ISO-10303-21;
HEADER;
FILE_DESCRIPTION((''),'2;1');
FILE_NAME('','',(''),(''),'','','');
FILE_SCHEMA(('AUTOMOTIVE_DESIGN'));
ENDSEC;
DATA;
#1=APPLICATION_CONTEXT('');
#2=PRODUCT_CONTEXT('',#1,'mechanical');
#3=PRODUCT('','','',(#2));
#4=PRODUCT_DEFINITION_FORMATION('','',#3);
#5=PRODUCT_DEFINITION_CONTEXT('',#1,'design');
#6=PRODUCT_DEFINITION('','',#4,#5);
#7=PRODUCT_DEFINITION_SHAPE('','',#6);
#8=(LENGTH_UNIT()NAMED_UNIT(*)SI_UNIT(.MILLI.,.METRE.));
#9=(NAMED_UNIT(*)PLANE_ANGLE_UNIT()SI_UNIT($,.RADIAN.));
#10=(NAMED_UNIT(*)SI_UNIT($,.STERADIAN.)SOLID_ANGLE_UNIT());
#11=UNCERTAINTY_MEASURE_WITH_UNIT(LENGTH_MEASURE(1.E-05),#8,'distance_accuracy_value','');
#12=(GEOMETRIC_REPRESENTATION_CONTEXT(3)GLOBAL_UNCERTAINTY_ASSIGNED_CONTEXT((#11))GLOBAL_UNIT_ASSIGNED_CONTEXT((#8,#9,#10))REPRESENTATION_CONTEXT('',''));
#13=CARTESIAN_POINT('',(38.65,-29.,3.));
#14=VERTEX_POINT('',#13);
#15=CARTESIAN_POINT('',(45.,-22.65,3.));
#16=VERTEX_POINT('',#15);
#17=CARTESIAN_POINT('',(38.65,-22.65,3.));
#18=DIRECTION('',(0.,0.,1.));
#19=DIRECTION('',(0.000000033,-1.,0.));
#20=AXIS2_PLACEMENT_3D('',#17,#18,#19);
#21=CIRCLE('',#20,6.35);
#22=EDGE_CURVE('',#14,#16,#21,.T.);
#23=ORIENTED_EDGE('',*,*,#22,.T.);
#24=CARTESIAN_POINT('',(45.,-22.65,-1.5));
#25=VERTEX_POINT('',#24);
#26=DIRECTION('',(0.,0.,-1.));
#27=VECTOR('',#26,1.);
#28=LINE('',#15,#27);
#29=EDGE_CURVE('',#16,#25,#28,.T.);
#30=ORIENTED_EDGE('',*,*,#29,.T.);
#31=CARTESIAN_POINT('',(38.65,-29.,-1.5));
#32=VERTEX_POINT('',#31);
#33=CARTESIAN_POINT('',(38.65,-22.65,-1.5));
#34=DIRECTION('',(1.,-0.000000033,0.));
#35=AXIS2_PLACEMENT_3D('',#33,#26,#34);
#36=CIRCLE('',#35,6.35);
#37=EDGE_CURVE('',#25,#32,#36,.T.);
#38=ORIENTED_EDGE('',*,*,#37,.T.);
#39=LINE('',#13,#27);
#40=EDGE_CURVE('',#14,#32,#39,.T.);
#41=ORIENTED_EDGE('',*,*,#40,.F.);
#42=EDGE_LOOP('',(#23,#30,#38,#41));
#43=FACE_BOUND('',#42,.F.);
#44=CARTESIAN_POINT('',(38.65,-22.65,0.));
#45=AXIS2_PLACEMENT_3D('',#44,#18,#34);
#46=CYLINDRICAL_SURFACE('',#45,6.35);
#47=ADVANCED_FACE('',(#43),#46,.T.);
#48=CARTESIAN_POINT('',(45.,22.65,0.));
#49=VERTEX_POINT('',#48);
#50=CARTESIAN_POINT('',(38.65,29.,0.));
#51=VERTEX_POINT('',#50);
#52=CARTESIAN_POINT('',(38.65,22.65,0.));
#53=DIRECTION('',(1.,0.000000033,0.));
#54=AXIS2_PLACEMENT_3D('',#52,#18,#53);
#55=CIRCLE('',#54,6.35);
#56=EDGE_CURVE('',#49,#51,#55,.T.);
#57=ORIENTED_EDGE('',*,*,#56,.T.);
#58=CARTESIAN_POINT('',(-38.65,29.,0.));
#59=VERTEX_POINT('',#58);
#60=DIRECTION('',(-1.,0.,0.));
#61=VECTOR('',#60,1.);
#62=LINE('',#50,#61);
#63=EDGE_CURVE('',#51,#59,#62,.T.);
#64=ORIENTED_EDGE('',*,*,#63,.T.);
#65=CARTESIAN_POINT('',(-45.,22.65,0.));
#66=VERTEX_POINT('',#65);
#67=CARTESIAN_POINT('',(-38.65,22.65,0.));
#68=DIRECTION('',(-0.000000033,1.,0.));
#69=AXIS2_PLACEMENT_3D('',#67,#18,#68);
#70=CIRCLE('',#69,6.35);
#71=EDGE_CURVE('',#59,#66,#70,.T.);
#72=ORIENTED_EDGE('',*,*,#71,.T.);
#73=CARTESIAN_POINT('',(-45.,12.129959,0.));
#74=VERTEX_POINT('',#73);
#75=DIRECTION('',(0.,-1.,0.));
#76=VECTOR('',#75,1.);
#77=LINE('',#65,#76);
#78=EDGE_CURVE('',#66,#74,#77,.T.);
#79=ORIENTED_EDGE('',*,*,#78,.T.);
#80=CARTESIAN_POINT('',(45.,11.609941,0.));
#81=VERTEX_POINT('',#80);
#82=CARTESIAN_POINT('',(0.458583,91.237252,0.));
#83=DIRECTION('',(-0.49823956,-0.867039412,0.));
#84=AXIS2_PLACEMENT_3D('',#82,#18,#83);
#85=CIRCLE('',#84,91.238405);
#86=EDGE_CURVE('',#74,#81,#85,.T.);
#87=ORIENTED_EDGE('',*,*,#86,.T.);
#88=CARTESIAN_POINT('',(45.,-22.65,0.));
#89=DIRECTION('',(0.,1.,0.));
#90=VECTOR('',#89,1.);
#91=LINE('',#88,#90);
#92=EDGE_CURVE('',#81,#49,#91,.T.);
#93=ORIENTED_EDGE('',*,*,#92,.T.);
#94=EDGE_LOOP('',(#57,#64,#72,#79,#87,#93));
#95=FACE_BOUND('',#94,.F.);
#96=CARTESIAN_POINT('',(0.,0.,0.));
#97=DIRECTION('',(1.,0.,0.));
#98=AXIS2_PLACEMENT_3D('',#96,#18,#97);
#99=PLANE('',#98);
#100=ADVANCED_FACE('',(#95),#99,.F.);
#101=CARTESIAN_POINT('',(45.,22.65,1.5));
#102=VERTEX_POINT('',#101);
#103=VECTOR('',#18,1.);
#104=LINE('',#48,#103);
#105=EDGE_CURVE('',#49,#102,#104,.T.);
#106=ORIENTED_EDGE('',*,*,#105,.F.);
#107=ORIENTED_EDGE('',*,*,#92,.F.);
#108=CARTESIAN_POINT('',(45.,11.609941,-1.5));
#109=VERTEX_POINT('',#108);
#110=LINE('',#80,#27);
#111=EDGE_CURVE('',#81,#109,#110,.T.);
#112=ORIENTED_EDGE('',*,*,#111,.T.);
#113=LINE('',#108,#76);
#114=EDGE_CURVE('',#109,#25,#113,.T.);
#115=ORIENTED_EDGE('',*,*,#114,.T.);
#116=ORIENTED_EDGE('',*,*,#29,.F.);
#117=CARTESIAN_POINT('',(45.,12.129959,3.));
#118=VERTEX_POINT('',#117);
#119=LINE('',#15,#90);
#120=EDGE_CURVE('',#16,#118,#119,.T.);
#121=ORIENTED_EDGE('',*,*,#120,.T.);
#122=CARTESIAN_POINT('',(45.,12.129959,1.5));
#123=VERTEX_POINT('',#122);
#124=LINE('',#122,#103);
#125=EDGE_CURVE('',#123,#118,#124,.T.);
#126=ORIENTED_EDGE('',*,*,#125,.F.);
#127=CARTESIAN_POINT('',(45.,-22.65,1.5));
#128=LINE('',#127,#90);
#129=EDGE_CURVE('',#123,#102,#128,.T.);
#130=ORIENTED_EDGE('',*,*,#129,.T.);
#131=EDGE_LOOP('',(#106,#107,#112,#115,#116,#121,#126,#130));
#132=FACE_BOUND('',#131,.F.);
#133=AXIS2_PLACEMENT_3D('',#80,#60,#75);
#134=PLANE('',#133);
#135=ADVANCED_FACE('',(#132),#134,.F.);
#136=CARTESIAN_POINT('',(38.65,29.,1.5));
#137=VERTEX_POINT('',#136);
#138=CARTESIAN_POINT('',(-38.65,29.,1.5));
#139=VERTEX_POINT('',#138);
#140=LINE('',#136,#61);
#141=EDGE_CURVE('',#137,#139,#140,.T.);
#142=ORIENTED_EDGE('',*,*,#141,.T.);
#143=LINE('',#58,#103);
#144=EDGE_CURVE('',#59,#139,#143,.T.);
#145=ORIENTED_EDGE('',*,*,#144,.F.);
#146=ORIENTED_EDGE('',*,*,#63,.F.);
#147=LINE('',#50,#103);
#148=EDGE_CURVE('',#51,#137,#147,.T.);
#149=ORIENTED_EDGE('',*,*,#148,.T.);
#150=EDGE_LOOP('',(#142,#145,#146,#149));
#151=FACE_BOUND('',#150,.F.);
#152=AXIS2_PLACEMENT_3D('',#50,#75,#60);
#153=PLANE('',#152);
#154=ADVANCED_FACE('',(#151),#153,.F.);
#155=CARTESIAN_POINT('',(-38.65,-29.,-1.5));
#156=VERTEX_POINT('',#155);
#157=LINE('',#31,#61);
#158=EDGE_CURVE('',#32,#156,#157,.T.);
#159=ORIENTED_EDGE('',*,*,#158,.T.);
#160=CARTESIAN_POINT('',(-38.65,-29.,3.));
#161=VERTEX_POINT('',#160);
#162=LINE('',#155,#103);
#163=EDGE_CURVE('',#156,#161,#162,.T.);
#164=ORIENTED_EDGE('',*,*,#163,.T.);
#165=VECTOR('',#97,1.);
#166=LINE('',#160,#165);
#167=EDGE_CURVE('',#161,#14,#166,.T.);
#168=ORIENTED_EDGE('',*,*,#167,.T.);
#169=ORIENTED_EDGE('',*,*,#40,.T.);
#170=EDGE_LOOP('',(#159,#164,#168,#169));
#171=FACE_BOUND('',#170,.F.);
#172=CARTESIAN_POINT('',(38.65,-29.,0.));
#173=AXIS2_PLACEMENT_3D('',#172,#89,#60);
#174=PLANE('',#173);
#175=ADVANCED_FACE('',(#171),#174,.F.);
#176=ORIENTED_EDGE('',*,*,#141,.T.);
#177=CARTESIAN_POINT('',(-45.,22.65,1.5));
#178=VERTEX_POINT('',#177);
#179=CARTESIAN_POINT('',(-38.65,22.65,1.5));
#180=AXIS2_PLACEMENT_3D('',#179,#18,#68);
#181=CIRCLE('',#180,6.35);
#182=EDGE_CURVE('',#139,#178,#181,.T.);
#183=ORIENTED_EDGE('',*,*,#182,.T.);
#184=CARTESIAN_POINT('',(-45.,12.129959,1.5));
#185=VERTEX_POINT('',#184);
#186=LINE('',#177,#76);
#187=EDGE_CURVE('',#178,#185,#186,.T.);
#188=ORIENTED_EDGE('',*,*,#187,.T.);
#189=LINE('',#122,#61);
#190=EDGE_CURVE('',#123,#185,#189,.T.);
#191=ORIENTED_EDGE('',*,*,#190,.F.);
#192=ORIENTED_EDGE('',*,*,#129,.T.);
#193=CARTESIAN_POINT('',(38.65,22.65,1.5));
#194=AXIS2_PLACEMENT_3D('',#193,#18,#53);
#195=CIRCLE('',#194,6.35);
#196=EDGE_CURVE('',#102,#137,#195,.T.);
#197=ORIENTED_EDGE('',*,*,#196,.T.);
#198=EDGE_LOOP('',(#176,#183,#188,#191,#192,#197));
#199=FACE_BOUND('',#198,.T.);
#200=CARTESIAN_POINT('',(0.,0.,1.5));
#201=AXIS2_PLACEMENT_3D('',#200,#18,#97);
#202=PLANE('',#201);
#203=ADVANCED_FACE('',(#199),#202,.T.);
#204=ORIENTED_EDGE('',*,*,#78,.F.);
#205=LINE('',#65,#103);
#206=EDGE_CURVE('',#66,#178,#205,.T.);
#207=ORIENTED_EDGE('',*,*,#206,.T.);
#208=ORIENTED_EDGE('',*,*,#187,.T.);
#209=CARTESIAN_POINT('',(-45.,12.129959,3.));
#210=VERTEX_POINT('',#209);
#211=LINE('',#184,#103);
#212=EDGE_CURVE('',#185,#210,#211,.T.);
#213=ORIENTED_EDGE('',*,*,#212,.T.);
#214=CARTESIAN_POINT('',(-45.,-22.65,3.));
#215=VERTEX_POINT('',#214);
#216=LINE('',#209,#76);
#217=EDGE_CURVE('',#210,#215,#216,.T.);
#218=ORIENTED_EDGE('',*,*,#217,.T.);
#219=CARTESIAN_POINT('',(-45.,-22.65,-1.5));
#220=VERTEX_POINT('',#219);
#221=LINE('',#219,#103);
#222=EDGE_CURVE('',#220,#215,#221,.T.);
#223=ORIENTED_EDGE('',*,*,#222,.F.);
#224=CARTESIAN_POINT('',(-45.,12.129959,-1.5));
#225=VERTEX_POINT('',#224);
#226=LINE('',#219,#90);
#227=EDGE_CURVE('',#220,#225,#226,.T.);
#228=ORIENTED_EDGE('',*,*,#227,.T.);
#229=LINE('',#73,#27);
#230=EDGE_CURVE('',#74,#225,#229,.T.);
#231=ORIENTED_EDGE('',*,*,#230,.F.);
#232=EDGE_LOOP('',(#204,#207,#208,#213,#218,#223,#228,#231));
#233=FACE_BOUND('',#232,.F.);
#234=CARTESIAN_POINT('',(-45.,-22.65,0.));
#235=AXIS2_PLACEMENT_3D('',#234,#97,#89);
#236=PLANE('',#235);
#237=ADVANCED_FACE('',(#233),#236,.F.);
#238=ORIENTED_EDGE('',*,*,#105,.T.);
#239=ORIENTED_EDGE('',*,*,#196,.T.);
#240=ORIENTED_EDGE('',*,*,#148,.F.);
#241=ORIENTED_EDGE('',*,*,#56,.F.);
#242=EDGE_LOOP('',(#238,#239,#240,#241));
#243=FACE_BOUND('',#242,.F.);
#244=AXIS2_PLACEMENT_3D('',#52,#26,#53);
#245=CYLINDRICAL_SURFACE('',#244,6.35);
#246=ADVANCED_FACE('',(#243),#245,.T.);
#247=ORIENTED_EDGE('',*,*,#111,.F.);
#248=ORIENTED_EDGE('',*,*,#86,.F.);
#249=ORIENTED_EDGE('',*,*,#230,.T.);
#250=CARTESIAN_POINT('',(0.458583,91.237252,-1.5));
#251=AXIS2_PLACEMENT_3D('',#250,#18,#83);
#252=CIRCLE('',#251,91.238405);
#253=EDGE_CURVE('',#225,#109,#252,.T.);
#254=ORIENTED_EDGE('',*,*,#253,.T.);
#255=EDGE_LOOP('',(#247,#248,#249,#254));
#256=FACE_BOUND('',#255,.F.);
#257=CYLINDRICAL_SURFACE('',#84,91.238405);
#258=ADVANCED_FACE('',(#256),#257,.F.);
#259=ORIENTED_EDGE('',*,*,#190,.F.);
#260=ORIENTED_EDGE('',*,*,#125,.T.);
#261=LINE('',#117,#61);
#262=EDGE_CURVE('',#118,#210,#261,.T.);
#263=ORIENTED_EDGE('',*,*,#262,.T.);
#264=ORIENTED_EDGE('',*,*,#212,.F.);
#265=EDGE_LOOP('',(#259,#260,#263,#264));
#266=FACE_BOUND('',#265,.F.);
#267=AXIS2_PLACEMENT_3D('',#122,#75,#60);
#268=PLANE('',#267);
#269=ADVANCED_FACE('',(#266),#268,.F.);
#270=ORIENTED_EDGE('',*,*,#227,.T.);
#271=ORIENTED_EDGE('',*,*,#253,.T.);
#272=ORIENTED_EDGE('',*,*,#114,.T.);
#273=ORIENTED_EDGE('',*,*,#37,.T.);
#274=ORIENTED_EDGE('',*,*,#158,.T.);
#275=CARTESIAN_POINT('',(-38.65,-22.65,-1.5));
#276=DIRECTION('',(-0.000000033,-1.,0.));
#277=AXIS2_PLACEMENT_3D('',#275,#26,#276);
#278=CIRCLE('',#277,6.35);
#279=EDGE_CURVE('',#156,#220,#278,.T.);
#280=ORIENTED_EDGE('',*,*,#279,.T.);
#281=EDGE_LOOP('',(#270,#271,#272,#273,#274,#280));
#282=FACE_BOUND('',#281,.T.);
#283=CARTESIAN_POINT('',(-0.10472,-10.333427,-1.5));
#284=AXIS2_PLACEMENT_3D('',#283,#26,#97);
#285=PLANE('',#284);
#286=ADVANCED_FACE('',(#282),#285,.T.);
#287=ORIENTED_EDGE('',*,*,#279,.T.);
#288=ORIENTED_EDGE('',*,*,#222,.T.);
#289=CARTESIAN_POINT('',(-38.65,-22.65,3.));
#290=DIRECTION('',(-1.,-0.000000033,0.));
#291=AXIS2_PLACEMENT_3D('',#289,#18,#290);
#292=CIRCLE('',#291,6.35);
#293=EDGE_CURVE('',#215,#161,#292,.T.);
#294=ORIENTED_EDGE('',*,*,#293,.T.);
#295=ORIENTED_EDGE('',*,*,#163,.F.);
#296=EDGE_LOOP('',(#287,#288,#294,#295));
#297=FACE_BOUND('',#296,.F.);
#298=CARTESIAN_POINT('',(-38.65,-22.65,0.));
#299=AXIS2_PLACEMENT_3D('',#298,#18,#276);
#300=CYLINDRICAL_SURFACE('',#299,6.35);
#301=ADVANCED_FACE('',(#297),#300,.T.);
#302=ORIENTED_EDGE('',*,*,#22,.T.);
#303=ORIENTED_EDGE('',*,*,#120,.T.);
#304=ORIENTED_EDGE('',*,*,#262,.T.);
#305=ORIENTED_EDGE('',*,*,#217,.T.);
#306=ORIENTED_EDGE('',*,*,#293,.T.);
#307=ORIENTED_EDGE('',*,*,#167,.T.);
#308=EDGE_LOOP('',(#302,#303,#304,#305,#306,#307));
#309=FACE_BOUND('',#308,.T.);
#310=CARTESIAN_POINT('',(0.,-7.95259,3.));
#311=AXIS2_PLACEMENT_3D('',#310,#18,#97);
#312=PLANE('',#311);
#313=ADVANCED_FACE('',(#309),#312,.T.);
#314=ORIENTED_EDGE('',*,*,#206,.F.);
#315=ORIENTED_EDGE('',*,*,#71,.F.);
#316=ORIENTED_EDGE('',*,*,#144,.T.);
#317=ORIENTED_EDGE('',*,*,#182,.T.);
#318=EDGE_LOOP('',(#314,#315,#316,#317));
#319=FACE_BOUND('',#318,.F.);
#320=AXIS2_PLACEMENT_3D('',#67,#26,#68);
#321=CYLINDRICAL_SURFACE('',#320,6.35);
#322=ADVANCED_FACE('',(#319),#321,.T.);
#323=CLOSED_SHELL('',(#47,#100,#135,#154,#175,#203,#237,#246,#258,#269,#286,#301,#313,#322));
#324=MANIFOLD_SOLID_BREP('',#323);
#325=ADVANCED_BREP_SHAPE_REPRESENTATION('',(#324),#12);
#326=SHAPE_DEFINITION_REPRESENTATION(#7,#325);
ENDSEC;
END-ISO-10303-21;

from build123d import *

# Parameters (mm, degrees)
F1_DEPTH = 1.5
F3_DEPTH = 1.5
F5_DEPTH = 1.5


with BuildPart() as f1:
    # F0 (on Top) → F1 (new body)
    with BuildSketch(Plane.XY):
        with BuildLine():
            Line((-38.65, -29), (38.65, -29))
            ThreePointArc((38.65, -29), (43.140128, -27.140128), (45, -22.65))
            Line((45, -22.65), (45, 22.65))
            ThreePointArc((45, 22.65), (43.140128, 27.140128), (38.65, 29))
            Line((38.65, 29), (-38.65, 29))
            ThreePointArc((-38.65, 29), (-43.140128, 27.140128), (-45, 22.65))
            Line((-45, 22.65), (-45, -22.65))
            ThreePointArc((-45, -22.65), (-43.140128, -27.140128), (-38.65, -29))
        make_face()
    extrude(amount=F1_DEPTH)

    # F2 (on face) → F3 (join)
    with BuildSketch(Plane.XY.offset(1.5)):
        with BuildLine():
            ThreePointArc((38.65, -29), (43.140128, -27.140128), (45, -22.65))
            Line((45, -22.65), (45, 12.129959))
            Line((45, 12.129959), (-45, 12.129959))
            Line((-45, 12.129959), (-45, -22.65))
            ThreePointArc((-45, -22.65), (-43.140128, -27.140128), (-38.65, -29))
            Line((-38.65, -29), (38.65, -29))
        make_face()
    extrude(amount=F3_DEPTH)

    # F4 (on face) → F5 (join)
    with BuildSketch(Plane(origin=(0, 0, 0), x_dir=(1, 0, 0), z_dir=(0, 0, -1))):
        with BuildLine():
            ThreePointArc((-45, -12.129959), (-0.068582, -0.00037), (45, -11.609941))
            Line((45, -11.609941), (45, 22.65))
            ThreePointArc((45, 22.65), (43.140128, 27.140128), (38.65, 29))
            Line((38.65, 29), (-38.65, 29))
            ThreePointArc((-38.65, 29), (-43.140128, 27.140128), (-45, 22.65))
            Line((-45, 22.65), (-45, -12.129959))
        make_face()
    extrude(amount=F5_DEPTH)


solid = f1.part
